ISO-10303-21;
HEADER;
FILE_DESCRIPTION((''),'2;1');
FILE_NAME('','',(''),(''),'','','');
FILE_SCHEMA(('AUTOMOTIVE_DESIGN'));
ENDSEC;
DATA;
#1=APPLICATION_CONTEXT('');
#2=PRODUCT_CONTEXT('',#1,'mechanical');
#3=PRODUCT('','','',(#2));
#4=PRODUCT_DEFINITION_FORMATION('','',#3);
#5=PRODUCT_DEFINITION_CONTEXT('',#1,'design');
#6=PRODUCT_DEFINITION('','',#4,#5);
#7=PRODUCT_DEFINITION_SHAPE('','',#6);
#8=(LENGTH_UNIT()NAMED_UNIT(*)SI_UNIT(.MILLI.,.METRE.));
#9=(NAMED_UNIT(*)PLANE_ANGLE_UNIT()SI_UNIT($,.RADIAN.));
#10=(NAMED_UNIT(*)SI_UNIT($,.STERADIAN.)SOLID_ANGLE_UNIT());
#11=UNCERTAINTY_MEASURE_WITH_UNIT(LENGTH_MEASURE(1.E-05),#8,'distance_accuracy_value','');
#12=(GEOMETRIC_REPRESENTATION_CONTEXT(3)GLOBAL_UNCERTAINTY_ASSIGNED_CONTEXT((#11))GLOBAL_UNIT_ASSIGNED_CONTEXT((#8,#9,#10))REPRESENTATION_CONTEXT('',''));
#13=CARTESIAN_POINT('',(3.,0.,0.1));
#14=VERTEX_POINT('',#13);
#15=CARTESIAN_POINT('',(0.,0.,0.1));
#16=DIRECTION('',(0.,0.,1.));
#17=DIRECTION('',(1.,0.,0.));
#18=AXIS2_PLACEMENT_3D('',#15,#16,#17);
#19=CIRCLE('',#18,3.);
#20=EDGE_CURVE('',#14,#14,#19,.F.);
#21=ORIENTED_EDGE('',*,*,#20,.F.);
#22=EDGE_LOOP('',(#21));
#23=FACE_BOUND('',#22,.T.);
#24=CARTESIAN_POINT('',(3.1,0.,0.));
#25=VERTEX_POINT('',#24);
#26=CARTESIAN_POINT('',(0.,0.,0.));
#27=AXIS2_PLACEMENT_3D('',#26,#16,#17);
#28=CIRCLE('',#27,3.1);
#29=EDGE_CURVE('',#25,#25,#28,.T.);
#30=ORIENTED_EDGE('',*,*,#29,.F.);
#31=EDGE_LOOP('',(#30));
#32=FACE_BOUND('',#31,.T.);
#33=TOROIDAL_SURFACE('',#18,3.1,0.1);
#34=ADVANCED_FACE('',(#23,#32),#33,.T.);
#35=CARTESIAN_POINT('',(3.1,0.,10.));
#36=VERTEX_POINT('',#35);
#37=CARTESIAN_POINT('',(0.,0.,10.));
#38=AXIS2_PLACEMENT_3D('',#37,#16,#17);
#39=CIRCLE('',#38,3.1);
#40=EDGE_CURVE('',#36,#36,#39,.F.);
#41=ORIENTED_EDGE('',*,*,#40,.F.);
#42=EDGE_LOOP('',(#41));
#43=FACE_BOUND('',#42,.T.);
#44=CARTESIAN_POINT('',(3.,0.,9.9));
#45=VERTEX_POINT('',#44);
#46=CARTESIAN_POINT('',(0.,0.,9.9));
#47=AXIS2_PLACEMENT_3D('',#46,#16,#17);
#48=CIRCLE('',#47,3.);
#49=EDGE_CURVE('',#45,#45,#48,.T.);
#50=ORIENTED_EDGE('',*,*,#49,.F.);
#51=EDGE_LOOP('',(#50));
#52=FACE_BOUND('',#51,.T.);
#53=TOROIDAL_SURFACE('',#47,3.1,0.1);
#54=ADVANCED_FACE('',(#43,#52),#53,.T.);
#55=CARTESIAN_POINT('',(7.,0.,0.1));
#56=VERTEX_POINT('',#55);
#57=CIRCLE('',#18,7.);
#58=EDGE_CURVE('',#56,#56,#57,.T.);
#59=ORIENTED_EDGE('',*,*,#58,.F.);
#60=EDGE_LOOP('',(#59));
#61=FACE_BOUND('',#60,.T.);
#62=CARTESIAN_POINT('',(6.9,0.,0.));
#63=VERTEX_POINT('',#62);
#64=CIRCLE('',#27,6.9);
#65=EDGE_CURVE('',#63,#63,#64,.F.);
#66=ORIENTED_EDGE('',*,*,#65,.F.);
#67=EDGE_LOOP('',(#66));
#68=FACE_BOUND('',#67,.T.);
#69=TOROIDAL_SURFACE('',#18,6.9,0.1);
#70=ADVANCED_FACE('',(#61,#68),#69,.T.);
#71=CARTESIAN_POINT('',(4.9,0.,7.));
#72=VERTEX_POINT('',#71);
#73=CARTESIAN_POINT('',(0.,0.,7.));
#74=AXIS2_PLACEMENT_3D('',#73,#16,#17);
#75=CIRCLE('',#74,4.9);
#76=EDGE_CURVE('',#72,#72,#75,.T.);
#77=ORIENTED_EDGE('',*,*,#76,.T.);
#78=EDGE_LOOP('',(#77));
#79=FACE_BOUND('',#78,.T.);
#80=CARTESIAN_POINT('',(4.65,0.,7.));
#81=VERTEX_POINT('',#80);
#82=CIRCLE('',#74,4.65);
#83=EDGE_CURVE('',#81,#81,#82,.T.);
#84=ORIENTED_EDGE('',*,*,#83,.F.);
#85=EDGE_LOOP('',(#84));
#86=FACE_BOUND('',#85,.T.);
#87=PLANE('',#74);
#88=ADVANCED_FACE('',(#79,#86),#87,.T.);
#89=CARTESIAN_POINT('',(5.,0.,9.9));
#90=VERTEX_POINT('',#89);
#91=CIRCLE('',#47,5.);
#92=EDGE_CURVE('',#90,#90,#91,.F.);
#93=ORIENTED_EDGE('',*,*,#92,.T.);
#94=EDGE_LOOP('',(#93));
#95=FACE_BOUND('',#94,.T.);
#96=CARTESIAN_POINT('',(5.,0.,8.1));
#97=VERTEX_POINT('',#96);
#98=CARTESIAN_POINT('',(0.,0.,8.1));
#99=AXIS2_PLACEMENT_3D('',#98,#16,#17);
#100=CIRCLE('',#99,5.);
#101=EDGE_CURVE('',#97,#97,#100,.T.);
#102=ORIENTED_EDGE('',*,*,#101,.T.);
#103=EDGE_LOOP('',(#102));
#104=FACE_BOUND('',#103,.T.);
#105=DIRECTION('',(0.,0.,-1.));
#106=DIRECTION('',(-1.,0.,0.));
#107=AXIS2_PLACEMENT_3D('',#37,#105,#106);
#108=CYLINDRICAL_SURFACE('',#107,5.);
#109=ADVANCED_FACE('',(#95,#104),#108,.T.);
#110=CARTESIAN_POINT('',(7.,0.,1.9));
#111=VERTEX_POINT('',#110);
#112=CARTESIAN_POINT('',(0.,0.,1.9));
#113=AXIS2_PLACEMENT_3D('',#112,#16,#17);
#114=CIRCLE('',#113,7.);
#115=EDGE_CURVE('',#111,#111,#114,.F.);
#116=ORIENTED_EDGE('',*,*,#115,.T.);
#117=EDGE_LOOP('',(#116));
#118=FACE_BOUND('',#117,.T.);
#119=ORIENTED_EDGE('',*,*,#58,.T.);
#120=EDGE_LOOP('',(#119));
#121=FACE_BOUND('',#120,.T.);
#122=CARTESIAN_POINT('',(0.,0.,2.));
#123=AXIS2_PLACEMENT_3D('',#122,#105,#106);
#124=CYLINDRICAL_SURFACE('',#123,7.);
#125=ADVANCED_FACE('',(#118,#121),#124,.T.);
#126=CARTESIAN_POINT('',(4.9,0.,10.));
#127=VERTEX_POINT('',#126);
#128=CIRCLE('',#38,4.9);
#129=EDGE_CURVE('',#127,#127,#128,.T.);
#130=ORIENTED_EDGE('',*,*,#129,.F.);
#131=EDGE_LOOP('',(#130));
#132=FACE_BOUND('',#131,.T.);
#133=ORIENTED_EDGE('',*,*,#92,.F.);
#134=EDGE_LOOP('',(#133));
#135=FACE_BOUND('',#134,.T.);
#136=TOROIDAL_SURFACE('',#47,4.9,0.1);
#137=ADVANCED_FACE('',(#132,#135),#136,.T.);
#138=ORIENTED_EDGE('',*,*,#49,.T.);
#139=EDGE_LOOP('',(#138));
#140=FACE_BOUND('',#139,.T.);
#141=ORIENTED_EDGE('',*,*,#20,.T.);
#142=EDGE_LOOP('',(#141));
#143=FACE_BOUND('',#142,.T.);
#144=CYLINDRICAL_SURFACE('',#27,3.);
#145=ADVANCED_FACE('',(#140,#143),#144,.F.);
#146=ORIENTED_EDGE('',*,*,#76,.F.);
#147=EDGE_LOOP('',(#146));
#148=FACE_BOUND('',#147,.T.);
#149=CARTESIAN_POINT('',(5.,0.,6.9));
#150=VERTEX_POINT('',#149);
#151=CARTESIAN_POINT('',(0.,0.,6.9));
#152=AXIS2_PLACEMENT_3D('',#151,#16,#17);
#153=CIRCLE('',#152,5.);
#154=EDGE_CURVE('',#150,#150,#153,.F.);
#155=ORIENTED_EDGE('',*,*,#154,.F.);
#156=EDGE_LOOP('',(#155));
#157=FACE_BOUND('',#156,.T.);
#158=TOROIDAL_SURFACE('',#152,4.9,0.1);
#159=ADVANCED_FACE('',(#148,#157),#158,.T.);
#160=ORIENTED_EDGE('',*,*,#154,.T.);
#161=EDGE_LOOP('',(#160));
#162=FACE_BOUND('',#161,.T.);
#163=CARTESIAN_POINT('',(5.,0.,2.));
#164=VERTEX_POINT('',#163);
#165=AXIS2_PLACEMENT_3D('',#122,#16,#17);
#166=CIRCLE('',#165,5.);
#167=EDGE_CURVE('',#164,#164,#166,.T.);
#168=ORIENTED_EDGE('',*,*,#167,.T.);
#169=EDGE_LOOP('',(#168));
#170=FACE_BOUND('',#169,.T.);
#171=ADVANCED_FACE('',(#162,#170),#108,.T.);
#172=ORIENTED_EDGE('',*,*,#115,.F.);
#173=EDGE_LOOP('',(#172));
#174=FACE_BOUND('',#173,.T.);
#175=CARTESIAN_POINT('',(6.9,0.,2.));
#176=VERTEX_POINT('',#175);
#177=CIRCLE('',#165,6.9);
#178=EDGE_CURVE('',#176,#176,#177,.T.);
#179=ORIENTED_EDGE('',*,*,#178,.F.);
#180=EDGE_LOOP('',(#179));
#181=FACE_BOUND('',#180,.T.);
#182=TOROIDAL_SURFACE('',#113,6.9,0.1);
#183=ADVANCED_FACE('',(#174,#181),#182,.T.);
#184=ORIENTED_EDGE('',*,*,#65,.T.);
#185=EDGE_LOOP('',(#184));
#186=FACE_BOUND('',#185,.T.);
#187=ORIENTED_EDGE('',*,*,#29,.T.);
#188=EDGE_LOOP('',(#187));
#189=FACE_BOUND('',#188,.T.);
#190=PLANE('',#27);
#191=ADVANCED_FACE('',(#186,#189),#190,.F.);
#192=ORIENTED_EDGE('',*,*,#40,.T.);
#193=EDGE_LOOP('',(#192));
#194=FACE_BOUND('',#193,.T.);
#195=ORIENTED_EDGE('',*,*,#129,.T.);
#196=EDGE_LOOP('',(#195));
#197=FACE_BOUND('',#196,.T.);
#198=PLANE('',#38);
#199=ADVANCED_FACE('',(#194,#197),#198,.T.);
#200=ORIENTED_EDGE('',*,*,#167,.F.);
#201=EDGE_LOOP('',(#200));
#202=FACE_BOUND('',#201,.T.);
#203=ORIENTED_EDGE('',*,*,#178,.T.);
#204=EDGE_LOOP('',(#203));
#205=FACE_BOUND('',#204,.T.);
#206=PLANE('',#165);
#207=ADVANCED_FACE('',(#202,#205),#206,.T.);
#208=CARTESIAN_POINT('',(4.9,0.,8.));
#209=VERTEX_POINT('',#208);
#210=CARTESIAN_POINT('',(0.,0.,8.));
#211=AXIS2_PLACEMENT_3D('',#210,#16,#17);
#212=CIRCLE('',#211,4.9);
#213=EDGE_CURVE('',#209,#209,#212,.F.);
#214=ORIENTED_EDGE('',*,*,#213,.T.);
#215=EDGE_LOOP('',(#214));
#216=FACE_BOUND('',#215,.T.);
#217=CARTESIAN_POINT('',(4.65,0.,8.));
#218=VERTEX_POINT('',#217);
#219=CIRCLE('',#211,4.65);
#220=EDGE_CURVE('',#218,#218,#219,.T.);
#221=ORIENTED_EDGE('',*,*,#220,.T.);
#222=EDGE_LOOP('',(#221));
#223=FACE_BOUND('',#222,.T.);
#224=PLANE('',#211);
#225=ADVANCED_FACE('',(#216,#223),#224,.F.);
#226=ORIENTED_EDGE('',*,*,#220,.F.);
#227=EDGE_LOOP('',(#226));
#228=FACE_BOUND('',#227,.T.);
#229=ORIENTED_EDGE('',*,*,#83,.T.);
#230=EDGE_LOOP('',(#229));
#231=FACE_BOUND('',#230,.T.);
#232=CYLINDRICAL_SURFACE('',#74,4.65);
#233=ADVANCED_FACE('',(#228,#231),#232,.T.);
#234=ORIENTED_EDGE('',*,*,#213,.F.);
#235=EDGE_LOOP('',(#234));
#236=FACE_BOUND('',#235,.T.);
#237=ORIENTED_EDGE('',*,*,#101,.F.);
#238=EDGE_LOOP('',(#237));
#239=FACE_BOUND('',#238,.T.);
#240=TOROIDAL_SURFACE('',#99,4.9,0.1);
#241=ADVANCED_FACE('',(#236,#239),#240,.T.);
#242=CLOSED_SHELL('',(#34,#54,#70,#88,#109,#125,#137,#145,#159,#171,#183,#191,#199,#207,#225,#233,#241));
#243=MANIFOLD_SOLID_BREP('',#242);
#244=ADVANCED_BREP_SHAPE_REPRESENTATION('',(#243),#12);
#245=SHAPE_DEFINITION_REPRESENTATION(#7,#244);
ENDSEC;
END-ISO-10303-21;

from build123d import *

# Parameters (mm, degrees)
SKETCH1_R          = 7
EXTRUDE1_DEPTH     = 2
SKETCH2_R          = 5
EXTRUDE2_DEPTH     = 8
SKETCH3_R          = 3
CUT_EXTRUDE1_DEPTH = 15.071247279
CUT_EXTRUDE3_START = -3
SKETCH4_R          = 5
SKETCH4_R_2        = 4.65
CUT_EXTRUDE3_DEPTH = 1
FILLET1_R          = 0.1


with BuildPart() as part:
    # Sketch1 → Extrude1 (new body)
    with BuildSketch(Plane.XY):
        Circle(SKETCH1_R)
    extrude(amount=EXTRUDE1_DEPTH)

    # Sketch2 → Extrude2 (add)
    with BuildSketch(Plane.XY.offset(2)):
        Circle(SKETCH2_R)
    extrude(amount=EXTRUDE2_DEPTH)

    # Sketch3 → Cut-Extrude1 (cut, through all)
    with BuildSketch(Plane.XY.offset(10)):
        Circle(SKETCH3_R)
    extrude(amount=-CUT_EXTRUDE1_DEPTH, mode=Mode.SUBTRACT)

    # Sketch4 → Cut-Extrude3 (cut)
    with BuildSketch(Plane.XY.offset(10).offset(CUT_EXTRUDE3_START)):
        Circle(SKETCH4_R)
        Circle(SKETCH4_R_2, mode=Mode.SUBTRACT)
    extrude(amount=CUT_EXTRUDE3_DEPTH, mode=Mode.SUBTRACT)

    # Fillet1
    fillet1_edges = [part.edges().sort_by_distance(p)[0] for p in [
        (-3, 0, 0),
        (-3, 0, 10),
        (-5, 0, 7),
        (-5, 0, 8),
        (-7, 0, 0),
        (-7, 0, 2),
        (-5, 0, 10),
    ]]
    fillet(fillet1_edges, radius=FILLET1_R)


solid = part.part
